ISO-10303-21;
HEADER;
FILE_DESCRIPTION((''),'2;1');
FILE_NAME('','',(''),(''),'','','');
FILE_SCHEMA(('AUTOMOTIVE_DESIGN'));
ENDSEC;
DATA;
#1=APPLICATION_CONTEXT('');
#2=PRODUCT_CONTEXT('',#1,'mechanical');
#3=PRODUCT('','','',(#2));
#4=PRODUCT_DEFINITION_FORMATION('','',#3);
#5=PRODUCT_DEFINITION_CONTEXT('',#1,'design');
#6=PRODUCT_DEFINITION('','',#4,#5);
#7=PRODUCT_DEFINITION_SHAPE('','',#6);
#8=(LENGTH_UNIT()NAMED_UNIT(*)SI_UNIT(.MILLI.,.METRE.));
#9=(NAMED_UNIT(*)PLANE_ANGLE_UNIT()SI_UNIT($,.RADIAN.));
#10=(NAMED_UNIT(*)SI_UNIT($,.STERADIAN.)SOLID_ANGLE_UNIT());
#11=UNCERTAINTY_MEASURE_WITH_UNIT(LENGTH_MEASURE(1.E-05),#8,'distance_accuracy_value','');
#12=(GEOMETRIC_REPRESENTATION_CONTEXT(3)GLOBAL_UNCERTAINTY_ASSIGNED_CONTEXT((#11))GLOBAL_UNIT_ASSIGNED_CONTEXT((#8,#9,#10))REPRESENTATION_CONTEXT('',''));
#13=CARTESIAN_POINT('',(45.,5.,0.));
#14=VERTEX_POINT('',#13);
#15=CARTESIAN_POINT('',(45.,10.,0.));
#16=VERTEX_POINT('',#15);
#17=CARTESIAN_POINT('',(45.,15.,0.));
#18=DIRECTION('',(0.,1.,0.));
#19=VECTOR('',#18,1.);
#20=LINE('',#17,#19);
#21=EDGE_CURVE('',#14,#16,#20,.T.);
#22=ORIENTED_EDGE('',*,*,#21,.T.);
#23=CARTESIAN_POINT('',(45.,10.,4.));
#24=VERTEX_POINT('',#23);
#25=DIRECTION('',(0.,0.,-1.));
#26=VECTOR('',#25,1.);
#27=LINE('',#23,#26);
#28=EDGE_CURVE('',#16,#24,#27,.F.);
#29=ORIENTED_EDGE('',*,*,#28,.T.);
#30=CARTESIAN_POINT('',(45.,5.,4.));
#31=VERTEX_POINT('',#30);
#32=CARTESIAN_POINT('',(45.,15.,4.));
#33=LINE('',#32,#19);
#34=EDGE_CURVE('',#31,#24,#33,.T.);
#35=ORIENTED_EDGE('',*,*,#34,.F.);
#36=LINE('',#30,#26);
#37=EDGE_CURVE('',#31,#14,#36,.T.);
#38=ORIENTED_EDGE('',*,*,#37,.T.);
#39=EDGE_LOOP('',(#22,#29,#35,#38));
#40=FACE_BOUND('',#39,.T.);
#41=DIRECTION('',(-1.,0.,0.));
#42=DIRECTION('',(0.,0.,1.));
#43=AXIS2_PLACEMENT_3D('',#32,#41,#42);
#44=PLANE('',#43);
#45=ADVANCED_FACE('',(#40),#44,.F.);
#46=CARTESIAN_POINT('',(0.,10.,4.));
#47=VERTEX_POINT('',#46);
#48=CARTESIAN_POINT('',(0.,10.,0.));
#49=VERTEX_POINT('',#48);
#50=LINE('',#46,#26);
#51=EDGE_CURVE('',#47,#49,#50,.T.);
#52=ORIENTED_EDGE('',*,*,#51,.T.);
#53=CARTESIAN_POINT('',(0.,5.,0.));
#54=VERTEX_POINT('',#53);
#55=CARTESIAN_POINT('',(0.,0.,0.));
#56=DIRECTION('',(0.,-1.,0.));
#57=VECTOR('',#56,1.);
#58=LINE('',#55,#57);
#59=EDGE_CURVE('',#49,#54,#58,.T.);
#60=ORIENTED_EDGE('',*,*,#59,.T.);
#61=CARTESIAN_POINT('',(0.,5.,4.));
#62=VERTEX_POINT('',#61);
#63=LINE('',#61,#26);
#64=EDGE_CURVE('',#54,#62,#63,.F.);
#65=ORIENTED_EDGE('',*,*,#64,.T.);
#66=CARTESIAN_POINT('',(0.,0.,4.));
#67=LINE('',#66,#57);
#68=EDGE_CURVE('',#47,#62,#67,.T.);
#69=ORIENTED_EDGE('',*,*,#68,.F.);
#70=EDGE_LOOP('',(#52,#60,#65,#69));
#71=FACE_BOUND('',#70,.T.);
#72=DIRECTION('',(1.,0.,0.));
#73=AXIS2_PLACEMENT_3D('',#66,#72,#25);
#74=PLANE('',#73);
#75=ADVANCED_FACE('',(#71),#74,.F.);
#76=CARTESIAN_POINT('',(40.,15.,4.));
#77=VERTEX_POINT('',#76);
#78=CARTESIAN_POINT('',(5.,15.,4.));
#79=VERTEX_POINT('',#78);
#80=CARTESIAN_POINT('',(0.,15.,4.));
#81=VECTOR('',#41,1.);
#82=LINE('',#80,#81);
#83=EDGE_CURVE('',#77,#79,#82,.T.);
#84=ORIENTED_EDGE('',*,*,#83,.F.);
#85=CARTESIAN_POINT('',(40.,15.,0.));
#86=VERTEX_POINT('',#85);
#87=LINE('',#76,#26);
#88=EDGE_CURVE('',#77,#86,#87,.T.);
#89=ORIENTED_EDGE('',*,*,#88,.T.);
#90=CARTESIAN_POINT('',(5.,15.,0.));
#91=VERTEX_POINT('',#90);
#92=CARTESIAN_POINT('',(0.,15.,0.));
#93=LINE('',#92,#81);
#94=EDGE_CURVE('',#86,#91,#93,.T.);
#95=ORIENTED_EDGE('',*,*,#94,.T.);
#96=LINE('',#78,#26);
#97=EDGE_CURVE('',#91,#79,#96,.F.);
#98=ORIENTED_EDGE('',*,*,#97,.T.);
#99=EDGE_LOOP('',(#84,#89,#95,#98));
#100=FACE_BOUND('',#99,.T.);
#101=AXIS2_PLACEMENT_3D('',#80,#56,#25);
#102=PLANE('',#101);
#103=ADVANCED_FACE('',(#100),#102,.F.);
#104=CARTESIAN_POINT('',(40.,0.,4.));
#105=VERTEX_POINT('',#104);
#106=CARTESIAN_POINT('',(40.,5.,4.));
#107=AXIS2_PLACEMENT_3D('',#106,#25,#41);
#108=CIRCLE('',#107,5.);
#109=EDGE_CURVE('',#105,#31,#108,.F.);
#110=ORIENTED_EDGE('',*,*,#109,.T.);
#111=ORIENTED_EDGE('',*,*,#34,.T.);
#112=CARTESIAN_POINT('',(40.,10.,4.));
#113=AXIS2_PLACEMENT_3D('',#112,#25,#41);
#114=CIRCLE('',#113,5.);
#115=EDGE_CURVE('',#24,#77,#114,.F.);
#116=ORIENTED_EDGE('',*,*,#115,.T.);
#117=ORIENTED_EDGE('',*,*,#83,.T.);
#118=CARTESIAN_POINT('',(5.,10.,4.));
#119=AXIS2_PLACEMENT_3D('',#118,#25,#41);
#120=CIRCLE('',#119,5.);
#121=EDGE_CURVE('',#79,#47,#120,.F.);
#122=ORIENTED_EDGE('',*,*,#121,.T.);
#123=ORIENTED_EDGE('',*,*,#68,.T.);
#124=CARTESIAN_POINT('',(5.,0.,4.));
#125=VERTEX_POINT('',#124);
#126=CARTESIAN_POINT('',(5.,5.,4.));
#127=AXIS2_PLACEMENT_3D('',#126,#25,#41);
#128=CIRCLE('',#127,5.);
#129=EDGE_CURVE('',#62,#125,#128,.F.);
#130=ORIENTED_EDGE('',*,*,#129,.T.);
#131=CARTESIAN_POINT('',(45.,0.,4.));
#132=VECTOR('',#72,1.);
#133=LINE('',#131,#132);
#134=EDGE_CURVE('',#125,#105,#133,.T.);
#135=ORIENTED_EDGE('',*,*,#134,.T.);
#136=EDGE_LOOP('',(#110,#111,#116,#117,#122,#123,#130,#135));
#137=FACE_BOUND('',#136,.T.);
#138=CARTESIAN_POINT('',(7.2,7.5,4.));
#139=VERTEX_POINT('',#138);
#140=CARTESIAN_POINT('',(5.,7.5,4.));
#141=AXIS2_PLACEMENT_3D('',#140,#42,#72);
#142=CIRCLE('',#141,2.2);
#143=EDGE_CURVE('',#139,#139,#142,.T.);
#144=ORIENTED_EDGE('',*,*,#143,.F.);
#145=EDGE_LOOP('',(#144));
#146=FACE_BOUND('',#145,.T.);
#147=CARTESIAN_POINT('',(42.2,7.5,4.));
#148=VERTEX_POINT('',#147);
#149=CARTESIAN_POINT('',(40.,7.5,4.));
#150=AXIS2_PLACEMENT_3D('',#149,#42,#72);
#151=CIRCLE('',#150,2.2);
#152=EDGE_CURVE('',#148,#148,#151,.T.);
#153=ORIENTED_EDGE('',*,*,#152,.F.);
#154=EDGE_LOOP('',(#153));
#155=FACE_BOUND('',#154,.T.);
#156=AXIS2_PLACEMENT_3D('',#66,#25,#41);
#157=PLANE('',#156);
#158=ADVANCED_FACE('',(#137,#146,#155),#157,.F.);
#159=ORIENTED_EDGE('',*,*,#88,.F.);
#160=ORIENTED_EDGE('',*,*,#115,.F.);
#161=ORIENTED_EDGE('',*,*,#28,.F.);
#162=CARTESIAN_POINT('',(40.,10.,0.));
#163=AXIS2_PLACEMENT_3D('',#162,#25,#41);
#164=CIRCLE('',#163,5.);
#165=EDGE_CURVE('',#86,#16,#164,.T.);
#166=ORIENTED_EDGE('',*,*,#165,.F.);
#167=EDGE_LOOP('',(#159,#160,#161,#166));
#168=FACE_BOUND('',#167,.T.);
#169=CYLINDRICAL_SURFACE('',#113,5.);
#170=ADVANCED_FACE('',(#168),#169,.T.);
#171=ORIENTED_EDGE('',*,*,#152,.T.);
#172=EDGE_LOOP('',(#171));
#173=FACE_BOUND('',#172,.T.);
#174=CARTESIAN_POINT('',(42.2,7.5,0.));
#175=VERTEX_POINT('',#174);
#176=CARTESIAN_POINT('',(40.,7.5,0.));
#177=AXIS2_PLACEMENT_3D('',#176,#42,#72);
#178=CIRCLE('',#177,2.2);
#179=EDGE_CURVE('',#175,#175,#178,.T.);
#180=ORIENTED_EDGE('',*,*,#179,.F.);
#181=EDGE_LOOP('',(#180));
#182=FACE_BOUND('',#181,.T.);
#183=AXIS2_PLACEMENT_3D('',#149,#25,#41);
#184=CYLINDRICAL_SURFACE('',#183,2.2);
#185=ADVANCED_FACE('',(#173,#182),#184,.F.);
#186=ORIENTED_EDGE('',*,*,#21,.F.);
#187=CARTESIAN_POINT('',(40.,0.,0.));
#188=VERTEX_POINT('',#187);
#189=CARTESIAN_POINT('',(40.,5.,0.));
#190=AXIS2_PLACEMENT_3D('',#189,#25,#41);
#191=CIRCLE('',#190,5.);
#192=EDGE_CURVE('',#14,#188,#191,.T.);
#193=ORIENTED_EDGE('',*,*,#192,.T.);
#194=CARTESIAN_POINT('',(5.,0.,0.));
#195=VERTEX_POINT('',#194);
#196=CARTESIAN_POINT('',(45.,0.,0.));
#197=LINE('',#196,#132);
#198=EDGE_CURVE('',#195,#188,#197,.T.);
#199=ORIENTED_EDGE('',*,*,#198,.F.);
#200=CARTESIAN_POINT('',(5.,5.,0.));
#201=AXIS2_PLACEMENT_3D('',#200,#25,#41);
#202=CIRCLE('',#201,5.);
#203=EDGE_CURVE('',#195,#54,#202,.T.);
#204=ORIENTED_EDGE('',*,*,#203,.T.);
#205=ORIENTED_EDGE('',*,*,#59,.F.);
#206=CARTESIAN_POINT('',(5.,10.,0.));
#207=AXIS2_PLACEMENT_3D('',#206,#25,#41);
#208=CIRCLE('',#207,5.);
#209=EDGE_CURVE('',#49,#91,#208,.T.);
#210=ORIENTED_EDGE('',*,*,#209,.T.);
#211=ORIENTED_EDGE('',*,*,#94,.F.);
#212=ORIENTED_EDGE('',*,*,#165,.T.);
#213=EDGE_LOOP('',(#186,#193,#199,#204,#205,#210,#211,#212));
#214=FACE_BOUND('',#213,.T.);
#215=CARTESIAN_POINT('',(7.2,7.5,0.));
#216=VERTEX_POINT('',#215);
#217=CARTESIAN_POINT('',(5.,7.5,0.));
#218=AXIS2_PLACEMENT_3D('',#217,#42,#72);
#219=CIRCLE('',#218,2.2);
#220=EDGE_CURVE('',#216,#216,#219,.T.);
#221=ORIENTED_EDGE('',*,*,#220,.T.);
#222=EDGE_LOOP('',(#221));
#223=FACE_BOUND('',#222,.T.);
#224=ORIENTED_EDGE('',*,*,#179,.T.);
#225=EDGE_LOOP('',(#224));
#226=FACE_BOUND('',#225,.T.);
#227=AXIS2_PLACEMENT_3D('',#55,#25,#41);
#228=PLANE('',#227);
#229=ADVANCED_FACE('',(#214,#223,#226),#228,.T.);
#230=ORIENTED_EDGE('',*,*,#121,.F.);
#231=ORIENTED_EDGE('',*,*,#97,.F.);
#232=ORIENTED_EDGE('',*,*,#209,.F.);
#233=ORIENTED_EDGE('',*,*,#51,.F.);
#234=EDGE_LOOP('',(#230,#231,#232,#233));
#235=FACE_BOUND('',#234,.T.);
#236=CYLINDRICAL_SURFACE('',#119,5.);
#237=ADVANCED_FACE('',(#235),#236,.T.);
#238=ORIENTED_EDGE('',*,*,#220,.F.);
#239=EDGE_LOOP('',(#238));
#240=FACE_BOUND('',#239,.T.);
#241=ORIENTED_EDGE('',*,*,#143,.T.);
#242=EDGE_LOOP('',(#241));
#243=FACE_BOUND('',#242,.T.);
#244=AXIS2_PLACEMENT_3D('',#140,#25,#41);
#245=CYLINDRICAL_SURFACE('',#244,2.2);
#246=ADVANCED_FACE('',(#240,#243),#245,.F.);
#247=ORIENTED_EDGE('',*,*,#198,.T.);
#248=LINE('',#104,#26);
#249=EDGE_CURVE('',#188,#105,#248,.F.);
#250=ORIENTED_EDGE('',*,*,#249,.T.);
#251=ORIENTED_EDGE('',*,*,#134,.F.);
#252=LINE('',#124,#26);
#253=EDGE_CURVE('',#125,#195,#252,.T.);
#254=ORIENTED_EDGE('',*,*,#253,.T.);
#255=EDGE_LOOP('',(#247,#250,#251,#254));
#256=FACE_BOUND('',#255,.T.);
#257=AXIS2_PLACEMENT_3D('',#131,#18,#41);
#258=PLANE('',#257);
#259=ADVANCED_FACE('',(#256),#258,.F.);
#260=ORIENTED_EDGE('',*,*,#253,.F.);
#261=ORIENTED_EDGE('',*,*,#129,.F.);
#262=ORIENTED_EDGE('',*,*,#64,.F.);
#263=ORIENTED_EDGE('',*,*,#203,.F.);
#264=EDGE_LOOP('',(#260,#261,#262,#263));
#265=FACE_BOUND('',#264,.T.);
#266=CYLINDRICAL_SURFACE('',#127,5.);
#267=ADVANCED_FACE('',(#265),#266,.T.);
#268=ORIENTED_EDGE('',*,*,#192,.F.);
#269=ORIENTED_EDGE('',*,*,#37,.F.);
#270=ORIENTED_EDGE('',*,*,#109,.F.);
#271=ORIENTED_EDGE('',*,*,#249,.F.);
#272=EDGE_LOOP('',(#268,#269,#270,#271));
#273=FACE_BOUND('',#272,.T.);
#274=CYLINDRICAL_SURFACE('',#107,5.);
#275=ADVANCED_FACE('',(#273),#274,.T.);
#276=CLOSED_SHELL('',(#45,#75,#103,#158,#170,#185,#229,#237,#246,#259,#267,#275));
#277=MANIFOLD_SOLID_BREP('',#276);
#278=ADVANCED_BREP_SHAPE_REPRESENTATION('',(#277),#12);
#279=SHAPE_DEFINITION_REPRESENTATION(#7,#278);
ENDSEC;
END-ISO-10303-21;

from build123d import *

# Parameters (mm, degrees)
CROQUIS1_W              = 45
CROQUIS1_H              = 15
CROQUIS1_R              = 2.2
SALIENTE_EXTRUIR1_DEPTH = 4
REDONDEO1_R             = 5


with BuildPart() as part:
    # Croquis1 → Saliente-Extruir1 (new body)
    with BuildSketch(Plane.XY):
        with Locations((22.5, 7.5)):
            Rectangle(CROQUIS1_W, CROQUIS1_H)
        with Locations((5, 7.5)):
            Circle(CROQUIS1_R, mode=Mode.SUBTRACT)
        with Locations((40, 7.5)):
            Circle(CROQUIS1_R, mode=Mode.SUBTRACT)
    extrude(amount=SALIENTE_EXTRUIR1_DEPTH)

    # Redondeo1
    redondeo1_edges = [part.edges().sort_by_distance(p)[0] for p in [
        (0, 0, 2),
        (0, 15, 2),
        (45, 15, 2),
        (45, 0, 2),
    ]]
    fillet(redondeo1_edges, radius=REDONDEO1_R)


solid = part.part
